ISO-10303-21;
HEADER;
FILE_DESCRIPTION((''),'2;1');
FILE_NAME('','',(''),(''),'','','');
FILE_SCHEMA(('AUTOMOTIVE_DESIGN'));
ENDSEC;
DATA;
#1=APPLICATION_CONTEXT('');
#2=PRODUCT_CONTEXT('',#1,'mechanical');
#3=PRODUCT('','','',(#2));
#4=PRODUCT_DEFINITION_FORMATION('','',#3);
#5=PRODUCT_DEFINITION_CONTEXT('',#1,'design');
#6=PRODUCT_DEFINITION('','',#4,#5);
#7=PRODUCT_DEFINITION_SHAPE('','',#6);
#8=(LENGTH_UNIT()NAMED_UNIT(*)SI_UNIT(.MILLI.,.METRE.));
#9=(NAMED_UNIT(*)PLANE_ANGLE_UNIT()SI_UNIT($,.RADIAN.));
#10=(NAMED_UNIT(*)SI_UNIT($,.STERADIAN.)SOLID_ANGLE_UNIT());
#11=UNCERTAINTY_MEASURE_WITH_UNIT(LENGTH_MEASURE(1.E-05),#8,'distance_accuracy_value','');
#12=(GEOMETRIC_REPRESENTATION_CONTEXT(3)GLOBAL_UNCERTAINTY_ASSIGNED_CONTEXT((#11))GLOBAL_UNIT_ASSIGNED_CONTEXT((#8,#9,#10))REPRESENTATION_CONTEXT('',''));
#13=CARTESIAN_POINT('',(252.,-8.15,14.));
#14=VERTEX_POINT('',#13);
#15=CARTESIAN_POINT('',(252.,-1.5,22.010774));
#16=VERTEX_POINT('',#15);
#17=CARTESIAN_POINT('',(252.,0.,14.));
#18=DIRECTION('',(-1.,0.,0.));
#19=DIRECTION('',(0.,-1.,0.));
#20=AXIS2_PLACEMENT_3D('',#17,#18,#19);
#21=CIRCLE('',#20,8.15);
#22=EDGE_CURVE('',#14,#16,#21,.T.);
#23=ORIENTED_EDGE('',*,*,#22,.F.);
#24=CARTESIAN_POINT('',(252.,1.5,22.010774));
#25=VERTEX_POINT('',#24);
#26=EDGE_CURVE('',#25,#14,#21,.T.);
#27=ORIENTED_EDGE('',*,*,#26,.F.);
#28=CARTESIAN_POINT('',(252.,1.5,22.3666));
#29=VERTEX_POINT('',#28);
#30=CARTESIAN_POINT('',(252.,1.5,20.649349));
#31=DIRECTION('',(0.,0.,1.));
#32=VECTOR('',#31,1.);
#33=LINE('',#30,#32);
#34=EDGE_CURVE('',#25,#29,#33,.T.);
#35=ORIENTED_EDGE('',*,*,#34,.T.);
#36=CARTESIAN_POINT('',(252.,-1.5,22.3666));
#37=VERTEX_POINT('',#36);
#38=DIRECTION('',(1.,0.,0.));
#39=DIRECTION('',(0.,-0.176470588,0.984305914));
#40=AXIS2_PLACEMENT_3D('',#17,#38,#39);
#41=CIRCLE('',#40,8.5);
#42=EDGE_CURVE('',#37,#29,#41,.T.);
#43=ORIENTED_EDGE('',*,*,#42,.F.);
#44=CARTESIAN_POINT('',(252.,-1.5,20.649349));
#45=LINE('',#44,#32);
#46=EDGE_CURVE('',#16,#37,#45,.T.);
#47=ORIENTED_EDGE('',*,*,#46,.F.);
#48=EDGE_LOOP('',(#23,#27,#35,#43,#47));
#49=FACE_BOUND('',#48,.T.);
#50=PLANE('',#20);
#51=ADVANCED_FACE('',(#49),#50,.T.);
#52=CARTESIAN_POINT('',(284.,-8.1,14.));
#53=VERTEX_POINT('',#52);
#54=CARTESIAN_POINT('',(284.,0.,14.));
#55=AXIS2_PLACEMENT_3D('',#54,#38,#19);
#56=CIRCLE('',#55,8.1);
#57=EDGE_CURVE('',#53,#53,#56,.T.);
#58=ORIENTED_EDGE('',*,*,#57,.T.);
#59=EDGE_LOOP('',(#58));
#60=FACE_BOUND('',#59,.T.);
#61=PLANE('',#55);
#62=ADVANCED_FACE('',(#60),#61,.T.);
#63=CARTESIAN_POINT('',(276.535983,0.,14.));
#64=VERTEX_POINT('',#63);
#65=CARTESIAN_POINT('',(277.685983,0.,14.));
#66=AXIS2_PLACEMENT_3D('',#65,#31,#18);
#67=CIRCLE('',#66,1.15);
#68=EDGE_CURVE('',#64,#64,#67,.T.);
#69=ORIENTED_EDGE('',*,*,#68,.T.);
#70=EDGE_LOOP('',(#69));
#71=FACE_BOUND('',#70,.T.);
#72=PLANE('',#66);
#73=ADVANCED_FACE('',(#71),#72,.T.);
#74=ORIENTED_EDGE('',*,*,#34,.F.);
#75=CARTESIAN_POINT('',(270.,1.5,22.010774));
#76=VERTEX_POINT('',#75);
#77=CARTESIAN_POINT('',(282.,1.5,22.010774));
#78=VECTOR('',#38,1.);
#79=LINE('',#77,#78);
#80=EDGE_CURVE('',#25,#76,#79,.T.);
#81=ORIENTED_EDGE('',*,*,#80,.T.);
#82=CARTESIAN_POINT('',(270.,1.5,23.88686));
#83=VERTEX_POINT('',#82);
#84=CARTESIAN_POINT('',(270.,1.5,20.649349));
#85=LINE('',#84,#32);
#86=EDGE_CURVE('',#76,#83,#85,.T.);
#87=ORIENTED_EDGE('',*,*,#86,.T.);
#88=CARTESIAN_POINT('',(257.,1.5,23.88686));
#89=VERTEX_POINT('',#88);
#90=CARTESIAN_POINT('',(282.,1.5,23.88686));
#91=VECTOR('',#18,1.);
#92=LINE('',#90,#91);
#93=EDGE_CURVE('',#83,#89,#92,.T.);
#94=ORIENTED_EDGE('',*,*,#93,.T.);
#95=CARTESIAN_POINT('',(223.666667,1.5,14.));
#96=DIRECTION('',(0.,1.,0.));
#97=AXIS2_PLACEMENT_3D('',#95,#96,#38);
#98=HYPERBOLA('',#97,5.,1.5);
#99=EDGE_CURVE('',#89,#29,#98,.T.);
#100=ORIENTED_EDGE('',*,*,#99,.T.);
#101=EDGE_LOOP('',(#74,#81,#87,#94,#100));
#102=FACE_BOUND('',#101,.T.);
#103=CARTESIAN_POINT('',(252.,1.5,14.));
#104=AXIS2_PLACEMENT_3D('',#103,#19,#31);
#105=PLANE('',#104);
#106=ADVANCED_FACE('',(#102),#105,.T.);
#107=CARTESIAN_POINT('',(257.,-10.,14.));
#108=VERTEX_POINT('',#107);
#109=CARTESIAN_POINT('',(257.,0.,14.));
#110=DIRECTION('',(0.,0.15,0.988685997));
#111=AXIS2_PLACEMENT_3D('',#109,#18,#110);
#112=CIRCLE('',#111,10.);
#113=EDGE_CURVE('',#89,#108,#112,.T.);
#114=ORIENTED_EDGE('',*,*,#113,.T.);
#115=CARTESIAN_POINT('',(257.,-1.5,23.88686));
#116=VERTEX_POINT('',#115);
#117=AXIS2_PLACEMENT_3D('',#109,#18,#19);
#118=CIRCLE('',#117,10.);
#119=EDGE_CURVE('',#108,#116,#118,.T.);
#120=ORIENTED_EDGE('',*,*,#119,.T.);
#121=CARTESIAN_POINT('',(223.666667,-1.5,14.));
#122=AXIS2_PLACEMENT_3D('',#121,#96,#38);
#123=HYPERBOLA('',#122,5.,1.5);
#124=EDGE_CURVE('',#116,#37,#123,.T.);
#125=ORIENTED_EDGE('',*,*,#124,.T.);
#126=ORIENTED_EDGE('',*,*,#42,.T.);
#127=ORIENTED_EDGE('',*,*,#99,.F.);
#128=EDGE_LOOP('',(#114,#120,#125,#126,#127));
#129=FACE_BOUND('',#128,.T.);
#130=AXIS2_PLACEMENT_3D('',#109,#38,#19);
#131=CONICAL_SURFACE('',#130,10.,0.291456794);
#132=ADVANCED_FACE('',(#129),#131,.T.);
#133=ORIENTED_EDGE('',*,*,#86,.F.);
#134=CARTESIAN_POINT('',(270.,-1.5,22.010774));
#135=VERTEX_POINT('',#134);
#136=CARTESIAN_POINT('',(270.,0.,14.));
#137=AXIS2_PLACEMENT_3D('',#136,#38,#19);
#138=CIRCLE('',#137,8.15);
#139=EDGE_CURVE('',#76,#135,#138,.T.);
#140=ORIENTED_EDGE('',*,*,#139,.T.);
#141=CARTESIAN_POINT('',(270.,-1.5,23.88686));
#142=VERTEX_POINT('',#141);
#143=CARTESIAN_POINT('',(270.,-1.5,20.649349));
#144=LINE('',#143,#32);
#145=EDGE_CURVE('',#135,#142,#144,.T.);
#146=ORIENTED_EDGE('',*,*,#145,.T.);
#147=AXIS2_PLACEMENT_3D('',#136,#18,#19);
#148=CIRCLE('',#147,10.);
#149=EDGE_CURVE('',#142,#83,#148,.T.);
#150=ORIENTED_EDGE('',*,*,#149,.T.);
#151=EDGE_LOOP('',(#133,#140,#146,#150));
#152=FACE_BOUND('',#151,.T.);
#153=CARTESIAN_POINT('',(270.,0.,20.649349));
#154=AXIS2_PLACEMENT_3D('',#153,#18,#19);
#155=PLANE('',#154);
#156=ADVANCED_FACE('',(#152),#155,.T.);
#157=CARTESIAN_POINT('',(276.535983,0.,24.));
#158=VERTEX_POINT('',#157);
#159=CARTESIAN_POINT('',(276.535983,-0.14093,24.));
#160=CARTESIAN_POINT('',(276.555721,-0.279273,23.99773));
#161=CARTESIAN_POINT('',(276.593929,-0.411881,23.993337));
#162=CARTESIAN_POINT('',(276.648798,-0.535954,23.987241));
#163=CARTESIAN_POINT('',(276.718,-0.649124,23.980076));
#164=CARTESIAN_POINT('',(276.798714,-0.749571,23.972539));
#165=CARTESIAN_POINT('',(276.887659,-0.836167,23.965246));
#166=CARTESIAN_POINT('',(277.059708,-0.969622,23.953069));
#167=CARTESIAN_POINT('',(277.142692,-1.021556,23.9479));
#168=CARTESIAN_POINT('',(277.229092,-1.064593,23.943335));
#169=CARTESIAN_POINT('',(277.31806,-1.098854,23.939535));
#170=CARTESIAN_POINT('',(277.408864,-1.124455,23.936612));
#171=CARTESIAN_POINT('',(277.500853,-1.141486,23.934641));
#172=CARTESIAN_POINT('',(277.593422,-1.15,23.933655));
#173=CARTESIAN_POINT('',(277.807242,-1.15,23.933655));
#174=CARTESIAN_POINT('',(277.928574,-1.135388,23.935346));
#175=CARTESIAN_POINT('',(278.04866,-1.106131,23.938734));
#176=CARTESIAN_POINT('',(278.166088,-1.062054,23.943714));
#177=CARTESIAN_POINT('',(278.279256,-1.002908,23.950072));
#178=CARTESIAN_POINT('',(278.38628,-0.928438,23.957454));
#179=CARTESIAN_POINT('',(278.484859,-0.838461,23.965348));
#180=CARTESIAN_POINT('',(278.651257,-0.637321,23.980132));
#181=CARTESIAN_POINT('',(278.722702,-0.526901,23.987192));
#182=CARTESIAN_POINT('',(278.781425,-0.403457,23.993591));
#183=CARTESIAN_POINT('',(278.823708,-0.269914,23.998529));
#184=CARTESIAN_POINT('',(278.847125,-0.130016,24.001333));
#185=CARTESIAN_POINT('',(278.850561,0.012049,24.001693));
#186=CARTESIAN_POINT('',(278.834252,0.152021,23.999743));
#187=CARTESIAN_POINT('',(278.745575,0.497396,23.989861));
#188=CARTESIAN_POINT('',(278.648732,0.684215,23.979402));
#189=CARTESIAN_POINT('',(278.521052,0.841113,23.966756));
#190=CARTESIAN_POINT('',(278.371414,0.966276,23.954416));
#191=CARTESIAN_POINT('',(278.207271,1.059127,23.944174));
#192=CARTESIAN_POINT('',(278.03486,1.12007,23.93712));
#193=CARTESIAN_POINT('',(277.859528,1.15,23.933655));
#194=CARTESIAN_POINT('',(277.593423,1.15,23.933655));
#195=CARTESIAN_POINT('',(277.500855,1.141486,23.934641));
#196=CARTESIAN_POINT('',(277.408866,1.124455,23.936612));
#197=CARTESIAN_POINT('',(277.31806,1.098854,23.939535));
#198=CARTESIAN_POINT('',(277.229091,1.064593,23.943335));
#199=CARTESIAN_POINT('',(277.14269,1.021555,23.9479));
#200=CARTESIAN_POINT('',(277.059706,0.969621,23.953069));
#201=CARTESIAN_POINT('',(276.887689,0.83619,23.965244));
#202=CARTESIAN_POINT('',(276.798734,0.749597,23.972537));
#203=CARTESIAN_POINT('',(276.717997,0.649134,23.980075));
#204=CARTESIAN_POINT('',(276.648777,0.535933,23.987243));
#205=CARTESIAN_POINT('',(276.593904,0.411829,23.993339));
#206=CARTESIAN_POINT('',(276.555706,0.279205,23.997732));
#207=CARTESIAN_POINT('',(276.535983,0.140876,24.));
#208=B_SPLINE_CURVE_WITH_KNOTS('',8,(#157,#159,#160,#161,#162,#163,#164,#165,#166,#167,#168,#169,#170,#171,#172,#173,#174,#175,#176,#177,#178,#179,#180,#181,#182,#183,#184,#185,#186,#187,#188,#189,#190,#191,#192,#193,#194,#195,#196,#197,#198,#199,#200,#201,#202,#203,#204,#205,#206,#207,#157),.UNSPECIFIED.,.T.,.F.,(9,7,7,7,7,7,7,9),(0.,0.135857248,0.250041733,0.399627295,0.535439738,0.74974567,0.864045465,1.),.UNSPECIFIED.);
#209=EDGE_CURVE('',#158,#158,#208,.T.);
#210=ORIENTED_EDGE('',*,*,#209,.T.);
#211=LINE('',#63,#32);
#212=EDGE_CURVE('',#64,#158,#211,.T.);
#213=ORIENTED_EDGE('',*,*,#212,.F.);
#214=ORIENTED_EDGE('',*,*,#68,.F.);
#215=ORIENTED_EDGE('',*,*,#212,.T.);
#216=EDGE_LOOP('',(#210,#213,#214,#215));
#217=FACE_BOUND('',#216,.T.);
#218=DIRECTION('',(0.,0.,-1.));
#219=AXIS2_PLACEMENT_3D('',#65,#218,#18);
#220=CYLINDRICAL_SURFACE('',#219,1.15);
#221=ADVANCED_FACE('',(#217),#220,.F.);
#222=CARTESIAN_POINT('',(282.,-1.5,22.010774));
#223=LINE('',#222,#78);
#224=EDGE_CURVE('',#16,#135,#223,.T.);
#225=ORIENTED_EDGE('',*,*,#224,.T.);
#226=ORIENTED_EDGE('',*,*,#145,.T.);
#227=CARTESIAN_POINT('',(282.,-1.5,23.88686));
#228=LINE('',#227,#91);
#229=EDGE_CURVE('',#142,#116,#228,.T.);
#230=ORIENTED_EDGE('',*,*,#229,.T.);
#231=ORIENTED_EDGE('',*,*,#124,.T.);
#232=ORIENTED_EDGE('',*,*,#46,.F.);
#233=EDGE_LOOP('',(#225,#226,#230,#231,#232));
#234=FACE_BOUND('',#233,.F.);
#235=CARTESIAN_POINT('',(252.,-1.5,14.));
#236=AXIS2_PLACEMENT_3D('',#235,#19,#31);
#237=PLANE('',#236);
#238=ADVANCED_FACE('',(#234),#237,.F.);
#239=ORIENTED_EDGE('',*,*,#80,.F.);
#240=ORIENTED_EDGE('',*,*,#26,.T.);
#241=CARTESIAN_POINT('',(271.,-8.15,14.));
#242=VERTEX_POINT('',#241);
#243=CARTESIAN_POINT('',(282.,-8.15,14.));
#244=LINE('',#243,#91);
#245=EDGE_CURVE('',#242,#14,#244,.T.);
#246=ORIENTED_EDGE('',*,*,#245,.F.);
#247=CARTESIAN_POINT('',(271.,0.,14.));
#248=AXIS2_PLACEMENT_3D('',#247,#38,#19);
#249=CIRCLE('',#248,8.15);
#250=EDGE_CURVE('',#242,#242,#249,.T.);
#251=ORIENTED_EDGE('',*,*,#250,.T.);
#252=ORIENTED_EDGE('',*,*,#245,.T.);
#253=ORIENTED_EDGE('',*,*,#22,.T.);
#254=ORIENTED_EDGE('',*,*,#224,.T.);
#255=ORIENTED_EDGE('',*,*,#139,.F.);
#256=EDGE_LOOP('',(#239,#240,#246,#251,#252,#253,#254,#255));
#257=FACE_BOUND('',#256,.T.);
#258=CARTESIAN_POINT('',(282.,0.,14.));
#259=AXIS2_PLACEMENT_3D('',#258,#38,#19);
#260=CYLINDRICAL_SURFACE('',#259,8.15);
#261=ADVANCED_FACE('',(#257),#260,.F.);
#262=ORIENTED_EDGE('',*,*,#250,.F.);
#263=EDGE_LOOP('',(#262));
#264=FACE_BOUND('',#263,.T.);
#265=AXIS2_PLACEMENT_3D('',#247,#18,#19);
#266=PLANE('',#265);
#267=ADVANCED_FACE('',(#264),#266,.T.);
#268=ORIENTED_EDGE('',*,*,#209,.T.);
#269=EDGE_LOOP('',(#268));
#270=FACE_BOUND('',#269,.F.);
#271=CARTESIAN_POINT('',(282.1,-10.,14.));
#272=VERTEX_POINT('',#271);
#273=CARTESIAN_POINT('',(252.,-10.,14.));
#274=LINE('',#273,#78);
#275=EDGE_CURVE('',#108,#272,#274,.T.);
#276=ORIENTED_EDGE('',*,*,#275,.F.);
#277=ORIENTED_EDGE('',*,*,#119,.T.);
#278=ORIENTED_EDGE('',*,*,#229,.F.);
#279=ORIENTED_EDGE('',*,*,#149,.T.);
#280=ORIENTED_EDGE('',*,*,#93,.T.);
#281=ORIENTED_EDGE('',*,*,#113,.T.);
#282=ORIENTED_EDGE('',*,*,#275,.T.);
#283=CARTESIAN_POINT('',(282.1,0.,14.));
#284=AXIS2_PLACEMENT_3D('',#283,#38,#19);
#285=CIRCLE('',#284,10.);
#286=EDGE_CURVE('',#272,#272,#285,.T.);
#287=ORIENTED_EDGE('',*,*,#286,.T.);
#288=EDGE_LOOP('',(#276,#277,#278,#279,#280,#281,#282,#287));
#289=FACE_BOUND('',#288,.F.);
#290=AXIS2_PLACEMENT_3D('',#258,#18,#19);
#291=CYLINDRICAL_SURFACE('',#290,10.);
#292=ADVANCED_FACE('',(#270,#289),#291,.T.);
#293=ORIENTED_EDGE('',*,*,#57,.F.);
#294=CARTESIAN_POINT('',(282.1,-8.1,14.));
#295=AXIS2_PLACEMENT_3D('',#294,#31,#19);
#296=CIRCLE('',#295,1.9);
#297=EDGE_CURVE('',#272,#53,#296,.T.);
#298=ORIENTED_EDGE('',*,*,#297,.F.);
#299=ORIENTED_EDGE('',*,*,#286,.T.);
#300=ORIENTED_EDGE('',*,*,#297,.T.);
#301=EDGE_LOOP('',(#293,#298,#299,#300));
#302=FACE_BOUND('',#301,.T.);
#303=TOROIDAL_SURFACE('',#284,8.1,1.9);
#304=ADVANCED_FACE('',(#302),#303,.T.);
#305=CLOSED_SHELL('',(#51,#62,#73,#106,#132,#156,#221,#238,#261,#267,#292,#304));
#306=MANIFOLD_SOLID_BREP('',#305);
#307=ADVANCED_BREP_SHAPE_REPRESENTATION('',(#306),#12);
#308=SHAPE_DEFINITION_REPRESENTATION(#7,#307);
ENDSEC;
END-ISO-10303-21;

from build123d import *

# Parameters (mm, degrees)
SKETCH009_R             = 10
SKETCH009_R_2           = 8.15
PAD005_DEPTH            = 30
SKETCH010_R             = 10
PAD006_DEPTH            = 2
SKETCH011_W             = 3
SKETCH011_H             = 13.298698
POCKET004_DEPTH         = 18
SKETCH013_R             = 8.553823
PAD007_DEPTH            = 11
SKETCH012_R             = 1.15
POCKET005_DEPTH         = 21
FILLET002_R             = 1.9
CHAMFER003_SIZE2        = 1.5
CHAMFER003_SIZE         = 5
BODY002_PLACEMENT_ANGLE = 180


with BuildPart() as part:
    # Sketch009 → Pad005 (new body)
    with BuildSketch(Plane.YZ):
        Circle(SKETCH009_R)
        Circle(SKETCH009_R_2, mode=Mode.SUBTRACT)
    extrude(amount=PAD005_DEPTH)

    # Sketch010 (on Face3 of Pad005) → Pad006 (join)
    with BuildSketch(Plane(origin=(0, 0, 0), x_dir=(0, 1, 0), z_dir=(-1, 0, 0))):
        Circle(SKETCH010_R)
    extrude(amount=PAD006_DEPTH)

    # Sketch011 (on Face3 of Pad006) → Pocket004 (cut)
    with BuildSketch(Plane.YZ.offset(30)):
        with Locations((0, 6.649349)):
            Rectangle(SKETCH011_W, SKETCH011_H)
    extrude(amount=-POCKET004_DEPTH, mode=Mode.SUBTRACT)

    # Sketch013 (on Face9 of Pocket004) → Pad007 (join)
    with BuildSketch(Plane.YZ):
        Circle(SKETCH013_R)
    extrude(amount=PAD007_DEPTH)

    # Sketch012 (on DatumPlane) → Pocket005 (cut)
    with BuildSketch(Plane.XY):
        with Locations((4.314017, 0)):
            Circle(SKETCH012_R)
    extrude(amount=POCKET005_DEPTH, mode=Mode.SUBTRACT)

    # Fillet002
    fillet002_edges = [part.edges().sort_by_distance(p)[0] for p in [
        (-2, -10, 0),
    ]]
    fillet(fillet002_edges, radius=FILLET002_R)

    # Chamfer003
    chamfer003_edges = [part.edges().sort_by_distance(p)[0] for p in [
        (30, -6.519202, -7.582875),
        (30, 7.582875, 6.519202),
    ]]
    chamfer003_side = part.faces().sort_by_distance((15, -10, 0))[0]
    chamfer(chamfer003_edges, length=CHAMFER003_SIZE, length2=CHAMFER003_SIZE2, reference=chamfer003_side)


with BuildPart() as part_1:
    # Body002 placement: moved
    add(part.part.moved(Location((282, 0, 14))).rotate(Axis((282, 0, 14), (0, 0, -1)), BODY002_PLACEMENT_ANGLE))


solid = part_1.part
